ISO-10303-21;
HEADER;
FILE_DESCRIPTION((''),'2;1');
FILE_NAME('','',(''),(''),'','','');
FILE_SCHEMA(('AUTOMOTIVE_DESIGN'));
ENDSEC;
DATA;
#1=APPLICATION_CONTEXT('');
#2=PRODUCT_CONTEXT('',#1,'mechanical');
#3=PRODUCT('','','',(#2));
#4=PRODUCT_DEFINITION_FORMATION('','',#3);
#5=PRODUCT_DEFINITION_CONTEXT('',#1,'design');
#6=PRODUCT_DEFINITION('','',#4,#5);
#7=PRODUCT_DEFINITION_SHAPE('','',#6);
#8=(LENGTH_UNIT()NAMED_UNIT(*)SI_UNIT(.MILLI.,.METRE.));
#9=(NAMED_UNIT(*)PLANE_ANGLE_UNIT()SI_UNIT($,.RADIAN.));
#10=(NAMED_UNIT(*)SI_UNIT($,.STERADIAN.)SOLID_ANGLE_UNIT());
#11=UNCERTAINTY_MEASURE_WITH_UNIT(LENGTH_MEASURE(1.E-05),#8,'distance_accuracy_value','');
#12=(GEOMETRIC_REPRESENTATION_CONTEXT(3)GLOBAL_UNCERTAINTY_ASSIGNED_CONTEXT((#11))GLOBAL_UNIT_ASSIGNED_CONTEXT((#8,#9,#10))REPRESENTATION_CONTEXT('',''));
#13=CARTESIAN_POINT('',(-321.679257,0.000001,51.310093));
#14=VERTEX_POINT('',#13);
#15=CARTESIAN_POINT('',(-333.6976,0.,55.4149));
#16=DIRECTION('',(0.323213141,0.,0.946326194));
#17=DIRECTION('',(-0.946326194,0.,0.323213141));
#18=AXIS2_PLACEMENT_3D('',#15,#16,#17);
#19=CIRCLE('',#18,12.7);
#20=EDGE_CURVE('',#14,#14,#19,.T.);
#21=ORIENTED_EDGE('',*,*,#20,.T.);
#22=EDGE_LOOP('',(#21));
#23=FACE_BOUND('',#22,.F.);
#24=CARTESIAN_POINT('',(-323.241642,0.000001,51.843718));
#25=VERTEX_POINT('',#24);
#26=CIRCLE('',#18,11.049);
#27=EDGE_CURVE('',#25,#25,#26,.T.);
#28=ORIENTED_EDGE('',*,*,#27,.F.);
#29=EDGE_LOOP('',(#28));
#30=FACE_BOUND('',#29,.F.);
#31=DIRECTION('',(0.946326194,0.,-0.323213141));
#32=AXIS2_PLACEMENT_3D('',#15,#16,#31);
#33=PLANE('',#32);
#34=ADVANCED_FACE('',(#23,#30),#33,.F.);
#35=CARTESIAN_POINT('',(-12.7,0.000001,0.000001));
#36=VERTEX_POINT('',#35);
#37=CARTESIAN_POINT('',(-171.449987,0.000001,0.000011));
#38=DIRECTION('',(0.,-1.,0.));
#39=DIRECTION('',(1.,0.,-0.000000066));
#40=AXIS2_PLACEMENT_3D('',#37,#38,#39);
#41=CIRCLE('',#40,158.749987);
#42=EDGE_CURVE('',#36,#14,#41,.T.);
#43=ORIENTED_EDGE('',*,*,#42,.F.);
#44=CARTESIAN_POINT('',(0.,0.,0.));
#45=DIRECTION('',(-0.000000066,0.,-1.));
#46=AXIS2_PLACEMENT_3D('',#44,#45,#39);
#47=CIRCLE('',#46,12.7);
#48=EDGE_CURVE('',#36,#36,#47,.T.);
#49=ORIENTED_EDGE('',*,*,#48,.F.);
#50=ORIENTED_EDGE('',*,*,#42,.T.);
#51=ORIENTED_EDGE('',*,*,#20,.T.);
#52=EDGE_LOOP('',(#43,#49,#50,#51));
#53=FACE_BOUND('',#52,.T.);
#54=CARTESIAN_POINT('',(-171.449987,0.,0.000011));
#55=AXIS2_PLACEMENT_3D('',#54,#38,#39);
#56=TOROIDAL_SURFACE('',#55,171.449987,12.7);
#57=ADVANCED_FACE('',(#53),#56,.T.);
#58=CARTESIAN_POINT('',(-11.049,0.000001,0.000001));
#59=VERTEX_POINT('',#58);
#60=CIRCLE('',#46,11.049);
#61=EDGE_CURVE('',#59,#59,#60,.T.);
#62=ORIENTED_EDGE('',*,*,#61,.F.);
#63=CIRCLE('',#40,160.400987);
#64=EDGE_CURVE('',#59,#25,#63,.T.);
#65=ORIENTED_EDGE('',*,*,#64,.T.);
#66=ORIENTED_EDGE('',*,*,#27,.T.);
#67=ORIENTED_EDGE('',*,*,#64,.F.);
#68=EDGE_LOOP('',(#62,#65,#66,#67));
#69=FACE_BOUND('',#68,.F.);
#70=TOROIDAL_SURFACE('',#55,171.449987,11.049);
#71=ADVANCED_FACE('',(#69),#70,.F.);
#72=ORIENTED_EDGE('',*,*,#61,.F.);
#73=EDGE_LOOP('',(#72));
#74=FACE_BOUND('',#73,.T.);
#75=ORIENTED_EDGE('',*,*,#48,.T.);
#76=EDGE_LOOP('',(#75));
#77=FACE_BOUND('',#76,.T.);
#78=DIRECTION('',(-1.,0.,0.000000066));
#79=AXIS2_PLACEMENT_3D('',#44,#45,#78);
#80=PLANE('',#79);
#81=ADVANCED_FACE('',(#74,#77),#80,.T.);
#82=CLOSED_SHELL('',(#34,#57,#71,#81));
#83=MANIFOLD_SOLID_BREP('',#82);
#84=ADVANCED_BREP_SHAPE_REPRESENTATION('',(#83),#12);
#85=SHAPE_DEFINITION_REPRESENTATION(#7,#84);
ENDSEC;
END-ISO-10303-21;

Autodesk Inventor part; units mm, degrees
sketch "Sketch" plane through (0, 0, 0) normal (0, 0, -1) x (-1, 0, 0)
  circle A0 centre (0, 0) radius 12.7
  circle A1 centre (0, 0) radius 11.049
  dimension "d0" = 25.4
  dimension "d1" = 1.651
ref_plane "Start Plane" through (0, 0, 0) normal (1, 0, 0) x (0, 1, 0)
ref_plane "End Plane" through (482.1979, 0, 0) normal (1, 0, 0) x (0, 1, 0)
sketch "Sketch2" plane through (0, 0, 0) normal (1, 0, 0) x (0, 1, 0)
  line L0 (0, 0) -> (10, 0)
ref_plane "Work Plane3" through (0, 0, 0) normal (0, 0, -1) x (0, 1, 0)
sketch "Sketch3" plane through (0, 0, 0) normal (0, 0, -1) x (0, 1, 0)
  line L0 (-2, 0) -> (12, 0)
  line L1 (-2, 482.1979) -> (12, 482.1979)
  dimension "d9" = 482.1979
ref_plane "Orientation Work Plane" through (0, 0, 0) normal (0, 0, -1) x (-1, 0, 0)
sketch3d "Sweep Path"
  arc A0 (0, 0, 0) -> (-333.6976, 0, 55.4149) centre (-171.45, 0, 0) ccw
sweep "Body" add profiles "Sketch" path "Sweep Path"
equation "\"G_OFFSET_START\" = 0"
equation "\"G_OFFSET_END\" = 0"
equation "\"d5\" = d2 + G_OFFSET_END"
equation "\"G_L\" = d9"
equation "\"d2\" = 482.197905"
properties part number "4130_1x0.065" material "Steel, Alloy"
